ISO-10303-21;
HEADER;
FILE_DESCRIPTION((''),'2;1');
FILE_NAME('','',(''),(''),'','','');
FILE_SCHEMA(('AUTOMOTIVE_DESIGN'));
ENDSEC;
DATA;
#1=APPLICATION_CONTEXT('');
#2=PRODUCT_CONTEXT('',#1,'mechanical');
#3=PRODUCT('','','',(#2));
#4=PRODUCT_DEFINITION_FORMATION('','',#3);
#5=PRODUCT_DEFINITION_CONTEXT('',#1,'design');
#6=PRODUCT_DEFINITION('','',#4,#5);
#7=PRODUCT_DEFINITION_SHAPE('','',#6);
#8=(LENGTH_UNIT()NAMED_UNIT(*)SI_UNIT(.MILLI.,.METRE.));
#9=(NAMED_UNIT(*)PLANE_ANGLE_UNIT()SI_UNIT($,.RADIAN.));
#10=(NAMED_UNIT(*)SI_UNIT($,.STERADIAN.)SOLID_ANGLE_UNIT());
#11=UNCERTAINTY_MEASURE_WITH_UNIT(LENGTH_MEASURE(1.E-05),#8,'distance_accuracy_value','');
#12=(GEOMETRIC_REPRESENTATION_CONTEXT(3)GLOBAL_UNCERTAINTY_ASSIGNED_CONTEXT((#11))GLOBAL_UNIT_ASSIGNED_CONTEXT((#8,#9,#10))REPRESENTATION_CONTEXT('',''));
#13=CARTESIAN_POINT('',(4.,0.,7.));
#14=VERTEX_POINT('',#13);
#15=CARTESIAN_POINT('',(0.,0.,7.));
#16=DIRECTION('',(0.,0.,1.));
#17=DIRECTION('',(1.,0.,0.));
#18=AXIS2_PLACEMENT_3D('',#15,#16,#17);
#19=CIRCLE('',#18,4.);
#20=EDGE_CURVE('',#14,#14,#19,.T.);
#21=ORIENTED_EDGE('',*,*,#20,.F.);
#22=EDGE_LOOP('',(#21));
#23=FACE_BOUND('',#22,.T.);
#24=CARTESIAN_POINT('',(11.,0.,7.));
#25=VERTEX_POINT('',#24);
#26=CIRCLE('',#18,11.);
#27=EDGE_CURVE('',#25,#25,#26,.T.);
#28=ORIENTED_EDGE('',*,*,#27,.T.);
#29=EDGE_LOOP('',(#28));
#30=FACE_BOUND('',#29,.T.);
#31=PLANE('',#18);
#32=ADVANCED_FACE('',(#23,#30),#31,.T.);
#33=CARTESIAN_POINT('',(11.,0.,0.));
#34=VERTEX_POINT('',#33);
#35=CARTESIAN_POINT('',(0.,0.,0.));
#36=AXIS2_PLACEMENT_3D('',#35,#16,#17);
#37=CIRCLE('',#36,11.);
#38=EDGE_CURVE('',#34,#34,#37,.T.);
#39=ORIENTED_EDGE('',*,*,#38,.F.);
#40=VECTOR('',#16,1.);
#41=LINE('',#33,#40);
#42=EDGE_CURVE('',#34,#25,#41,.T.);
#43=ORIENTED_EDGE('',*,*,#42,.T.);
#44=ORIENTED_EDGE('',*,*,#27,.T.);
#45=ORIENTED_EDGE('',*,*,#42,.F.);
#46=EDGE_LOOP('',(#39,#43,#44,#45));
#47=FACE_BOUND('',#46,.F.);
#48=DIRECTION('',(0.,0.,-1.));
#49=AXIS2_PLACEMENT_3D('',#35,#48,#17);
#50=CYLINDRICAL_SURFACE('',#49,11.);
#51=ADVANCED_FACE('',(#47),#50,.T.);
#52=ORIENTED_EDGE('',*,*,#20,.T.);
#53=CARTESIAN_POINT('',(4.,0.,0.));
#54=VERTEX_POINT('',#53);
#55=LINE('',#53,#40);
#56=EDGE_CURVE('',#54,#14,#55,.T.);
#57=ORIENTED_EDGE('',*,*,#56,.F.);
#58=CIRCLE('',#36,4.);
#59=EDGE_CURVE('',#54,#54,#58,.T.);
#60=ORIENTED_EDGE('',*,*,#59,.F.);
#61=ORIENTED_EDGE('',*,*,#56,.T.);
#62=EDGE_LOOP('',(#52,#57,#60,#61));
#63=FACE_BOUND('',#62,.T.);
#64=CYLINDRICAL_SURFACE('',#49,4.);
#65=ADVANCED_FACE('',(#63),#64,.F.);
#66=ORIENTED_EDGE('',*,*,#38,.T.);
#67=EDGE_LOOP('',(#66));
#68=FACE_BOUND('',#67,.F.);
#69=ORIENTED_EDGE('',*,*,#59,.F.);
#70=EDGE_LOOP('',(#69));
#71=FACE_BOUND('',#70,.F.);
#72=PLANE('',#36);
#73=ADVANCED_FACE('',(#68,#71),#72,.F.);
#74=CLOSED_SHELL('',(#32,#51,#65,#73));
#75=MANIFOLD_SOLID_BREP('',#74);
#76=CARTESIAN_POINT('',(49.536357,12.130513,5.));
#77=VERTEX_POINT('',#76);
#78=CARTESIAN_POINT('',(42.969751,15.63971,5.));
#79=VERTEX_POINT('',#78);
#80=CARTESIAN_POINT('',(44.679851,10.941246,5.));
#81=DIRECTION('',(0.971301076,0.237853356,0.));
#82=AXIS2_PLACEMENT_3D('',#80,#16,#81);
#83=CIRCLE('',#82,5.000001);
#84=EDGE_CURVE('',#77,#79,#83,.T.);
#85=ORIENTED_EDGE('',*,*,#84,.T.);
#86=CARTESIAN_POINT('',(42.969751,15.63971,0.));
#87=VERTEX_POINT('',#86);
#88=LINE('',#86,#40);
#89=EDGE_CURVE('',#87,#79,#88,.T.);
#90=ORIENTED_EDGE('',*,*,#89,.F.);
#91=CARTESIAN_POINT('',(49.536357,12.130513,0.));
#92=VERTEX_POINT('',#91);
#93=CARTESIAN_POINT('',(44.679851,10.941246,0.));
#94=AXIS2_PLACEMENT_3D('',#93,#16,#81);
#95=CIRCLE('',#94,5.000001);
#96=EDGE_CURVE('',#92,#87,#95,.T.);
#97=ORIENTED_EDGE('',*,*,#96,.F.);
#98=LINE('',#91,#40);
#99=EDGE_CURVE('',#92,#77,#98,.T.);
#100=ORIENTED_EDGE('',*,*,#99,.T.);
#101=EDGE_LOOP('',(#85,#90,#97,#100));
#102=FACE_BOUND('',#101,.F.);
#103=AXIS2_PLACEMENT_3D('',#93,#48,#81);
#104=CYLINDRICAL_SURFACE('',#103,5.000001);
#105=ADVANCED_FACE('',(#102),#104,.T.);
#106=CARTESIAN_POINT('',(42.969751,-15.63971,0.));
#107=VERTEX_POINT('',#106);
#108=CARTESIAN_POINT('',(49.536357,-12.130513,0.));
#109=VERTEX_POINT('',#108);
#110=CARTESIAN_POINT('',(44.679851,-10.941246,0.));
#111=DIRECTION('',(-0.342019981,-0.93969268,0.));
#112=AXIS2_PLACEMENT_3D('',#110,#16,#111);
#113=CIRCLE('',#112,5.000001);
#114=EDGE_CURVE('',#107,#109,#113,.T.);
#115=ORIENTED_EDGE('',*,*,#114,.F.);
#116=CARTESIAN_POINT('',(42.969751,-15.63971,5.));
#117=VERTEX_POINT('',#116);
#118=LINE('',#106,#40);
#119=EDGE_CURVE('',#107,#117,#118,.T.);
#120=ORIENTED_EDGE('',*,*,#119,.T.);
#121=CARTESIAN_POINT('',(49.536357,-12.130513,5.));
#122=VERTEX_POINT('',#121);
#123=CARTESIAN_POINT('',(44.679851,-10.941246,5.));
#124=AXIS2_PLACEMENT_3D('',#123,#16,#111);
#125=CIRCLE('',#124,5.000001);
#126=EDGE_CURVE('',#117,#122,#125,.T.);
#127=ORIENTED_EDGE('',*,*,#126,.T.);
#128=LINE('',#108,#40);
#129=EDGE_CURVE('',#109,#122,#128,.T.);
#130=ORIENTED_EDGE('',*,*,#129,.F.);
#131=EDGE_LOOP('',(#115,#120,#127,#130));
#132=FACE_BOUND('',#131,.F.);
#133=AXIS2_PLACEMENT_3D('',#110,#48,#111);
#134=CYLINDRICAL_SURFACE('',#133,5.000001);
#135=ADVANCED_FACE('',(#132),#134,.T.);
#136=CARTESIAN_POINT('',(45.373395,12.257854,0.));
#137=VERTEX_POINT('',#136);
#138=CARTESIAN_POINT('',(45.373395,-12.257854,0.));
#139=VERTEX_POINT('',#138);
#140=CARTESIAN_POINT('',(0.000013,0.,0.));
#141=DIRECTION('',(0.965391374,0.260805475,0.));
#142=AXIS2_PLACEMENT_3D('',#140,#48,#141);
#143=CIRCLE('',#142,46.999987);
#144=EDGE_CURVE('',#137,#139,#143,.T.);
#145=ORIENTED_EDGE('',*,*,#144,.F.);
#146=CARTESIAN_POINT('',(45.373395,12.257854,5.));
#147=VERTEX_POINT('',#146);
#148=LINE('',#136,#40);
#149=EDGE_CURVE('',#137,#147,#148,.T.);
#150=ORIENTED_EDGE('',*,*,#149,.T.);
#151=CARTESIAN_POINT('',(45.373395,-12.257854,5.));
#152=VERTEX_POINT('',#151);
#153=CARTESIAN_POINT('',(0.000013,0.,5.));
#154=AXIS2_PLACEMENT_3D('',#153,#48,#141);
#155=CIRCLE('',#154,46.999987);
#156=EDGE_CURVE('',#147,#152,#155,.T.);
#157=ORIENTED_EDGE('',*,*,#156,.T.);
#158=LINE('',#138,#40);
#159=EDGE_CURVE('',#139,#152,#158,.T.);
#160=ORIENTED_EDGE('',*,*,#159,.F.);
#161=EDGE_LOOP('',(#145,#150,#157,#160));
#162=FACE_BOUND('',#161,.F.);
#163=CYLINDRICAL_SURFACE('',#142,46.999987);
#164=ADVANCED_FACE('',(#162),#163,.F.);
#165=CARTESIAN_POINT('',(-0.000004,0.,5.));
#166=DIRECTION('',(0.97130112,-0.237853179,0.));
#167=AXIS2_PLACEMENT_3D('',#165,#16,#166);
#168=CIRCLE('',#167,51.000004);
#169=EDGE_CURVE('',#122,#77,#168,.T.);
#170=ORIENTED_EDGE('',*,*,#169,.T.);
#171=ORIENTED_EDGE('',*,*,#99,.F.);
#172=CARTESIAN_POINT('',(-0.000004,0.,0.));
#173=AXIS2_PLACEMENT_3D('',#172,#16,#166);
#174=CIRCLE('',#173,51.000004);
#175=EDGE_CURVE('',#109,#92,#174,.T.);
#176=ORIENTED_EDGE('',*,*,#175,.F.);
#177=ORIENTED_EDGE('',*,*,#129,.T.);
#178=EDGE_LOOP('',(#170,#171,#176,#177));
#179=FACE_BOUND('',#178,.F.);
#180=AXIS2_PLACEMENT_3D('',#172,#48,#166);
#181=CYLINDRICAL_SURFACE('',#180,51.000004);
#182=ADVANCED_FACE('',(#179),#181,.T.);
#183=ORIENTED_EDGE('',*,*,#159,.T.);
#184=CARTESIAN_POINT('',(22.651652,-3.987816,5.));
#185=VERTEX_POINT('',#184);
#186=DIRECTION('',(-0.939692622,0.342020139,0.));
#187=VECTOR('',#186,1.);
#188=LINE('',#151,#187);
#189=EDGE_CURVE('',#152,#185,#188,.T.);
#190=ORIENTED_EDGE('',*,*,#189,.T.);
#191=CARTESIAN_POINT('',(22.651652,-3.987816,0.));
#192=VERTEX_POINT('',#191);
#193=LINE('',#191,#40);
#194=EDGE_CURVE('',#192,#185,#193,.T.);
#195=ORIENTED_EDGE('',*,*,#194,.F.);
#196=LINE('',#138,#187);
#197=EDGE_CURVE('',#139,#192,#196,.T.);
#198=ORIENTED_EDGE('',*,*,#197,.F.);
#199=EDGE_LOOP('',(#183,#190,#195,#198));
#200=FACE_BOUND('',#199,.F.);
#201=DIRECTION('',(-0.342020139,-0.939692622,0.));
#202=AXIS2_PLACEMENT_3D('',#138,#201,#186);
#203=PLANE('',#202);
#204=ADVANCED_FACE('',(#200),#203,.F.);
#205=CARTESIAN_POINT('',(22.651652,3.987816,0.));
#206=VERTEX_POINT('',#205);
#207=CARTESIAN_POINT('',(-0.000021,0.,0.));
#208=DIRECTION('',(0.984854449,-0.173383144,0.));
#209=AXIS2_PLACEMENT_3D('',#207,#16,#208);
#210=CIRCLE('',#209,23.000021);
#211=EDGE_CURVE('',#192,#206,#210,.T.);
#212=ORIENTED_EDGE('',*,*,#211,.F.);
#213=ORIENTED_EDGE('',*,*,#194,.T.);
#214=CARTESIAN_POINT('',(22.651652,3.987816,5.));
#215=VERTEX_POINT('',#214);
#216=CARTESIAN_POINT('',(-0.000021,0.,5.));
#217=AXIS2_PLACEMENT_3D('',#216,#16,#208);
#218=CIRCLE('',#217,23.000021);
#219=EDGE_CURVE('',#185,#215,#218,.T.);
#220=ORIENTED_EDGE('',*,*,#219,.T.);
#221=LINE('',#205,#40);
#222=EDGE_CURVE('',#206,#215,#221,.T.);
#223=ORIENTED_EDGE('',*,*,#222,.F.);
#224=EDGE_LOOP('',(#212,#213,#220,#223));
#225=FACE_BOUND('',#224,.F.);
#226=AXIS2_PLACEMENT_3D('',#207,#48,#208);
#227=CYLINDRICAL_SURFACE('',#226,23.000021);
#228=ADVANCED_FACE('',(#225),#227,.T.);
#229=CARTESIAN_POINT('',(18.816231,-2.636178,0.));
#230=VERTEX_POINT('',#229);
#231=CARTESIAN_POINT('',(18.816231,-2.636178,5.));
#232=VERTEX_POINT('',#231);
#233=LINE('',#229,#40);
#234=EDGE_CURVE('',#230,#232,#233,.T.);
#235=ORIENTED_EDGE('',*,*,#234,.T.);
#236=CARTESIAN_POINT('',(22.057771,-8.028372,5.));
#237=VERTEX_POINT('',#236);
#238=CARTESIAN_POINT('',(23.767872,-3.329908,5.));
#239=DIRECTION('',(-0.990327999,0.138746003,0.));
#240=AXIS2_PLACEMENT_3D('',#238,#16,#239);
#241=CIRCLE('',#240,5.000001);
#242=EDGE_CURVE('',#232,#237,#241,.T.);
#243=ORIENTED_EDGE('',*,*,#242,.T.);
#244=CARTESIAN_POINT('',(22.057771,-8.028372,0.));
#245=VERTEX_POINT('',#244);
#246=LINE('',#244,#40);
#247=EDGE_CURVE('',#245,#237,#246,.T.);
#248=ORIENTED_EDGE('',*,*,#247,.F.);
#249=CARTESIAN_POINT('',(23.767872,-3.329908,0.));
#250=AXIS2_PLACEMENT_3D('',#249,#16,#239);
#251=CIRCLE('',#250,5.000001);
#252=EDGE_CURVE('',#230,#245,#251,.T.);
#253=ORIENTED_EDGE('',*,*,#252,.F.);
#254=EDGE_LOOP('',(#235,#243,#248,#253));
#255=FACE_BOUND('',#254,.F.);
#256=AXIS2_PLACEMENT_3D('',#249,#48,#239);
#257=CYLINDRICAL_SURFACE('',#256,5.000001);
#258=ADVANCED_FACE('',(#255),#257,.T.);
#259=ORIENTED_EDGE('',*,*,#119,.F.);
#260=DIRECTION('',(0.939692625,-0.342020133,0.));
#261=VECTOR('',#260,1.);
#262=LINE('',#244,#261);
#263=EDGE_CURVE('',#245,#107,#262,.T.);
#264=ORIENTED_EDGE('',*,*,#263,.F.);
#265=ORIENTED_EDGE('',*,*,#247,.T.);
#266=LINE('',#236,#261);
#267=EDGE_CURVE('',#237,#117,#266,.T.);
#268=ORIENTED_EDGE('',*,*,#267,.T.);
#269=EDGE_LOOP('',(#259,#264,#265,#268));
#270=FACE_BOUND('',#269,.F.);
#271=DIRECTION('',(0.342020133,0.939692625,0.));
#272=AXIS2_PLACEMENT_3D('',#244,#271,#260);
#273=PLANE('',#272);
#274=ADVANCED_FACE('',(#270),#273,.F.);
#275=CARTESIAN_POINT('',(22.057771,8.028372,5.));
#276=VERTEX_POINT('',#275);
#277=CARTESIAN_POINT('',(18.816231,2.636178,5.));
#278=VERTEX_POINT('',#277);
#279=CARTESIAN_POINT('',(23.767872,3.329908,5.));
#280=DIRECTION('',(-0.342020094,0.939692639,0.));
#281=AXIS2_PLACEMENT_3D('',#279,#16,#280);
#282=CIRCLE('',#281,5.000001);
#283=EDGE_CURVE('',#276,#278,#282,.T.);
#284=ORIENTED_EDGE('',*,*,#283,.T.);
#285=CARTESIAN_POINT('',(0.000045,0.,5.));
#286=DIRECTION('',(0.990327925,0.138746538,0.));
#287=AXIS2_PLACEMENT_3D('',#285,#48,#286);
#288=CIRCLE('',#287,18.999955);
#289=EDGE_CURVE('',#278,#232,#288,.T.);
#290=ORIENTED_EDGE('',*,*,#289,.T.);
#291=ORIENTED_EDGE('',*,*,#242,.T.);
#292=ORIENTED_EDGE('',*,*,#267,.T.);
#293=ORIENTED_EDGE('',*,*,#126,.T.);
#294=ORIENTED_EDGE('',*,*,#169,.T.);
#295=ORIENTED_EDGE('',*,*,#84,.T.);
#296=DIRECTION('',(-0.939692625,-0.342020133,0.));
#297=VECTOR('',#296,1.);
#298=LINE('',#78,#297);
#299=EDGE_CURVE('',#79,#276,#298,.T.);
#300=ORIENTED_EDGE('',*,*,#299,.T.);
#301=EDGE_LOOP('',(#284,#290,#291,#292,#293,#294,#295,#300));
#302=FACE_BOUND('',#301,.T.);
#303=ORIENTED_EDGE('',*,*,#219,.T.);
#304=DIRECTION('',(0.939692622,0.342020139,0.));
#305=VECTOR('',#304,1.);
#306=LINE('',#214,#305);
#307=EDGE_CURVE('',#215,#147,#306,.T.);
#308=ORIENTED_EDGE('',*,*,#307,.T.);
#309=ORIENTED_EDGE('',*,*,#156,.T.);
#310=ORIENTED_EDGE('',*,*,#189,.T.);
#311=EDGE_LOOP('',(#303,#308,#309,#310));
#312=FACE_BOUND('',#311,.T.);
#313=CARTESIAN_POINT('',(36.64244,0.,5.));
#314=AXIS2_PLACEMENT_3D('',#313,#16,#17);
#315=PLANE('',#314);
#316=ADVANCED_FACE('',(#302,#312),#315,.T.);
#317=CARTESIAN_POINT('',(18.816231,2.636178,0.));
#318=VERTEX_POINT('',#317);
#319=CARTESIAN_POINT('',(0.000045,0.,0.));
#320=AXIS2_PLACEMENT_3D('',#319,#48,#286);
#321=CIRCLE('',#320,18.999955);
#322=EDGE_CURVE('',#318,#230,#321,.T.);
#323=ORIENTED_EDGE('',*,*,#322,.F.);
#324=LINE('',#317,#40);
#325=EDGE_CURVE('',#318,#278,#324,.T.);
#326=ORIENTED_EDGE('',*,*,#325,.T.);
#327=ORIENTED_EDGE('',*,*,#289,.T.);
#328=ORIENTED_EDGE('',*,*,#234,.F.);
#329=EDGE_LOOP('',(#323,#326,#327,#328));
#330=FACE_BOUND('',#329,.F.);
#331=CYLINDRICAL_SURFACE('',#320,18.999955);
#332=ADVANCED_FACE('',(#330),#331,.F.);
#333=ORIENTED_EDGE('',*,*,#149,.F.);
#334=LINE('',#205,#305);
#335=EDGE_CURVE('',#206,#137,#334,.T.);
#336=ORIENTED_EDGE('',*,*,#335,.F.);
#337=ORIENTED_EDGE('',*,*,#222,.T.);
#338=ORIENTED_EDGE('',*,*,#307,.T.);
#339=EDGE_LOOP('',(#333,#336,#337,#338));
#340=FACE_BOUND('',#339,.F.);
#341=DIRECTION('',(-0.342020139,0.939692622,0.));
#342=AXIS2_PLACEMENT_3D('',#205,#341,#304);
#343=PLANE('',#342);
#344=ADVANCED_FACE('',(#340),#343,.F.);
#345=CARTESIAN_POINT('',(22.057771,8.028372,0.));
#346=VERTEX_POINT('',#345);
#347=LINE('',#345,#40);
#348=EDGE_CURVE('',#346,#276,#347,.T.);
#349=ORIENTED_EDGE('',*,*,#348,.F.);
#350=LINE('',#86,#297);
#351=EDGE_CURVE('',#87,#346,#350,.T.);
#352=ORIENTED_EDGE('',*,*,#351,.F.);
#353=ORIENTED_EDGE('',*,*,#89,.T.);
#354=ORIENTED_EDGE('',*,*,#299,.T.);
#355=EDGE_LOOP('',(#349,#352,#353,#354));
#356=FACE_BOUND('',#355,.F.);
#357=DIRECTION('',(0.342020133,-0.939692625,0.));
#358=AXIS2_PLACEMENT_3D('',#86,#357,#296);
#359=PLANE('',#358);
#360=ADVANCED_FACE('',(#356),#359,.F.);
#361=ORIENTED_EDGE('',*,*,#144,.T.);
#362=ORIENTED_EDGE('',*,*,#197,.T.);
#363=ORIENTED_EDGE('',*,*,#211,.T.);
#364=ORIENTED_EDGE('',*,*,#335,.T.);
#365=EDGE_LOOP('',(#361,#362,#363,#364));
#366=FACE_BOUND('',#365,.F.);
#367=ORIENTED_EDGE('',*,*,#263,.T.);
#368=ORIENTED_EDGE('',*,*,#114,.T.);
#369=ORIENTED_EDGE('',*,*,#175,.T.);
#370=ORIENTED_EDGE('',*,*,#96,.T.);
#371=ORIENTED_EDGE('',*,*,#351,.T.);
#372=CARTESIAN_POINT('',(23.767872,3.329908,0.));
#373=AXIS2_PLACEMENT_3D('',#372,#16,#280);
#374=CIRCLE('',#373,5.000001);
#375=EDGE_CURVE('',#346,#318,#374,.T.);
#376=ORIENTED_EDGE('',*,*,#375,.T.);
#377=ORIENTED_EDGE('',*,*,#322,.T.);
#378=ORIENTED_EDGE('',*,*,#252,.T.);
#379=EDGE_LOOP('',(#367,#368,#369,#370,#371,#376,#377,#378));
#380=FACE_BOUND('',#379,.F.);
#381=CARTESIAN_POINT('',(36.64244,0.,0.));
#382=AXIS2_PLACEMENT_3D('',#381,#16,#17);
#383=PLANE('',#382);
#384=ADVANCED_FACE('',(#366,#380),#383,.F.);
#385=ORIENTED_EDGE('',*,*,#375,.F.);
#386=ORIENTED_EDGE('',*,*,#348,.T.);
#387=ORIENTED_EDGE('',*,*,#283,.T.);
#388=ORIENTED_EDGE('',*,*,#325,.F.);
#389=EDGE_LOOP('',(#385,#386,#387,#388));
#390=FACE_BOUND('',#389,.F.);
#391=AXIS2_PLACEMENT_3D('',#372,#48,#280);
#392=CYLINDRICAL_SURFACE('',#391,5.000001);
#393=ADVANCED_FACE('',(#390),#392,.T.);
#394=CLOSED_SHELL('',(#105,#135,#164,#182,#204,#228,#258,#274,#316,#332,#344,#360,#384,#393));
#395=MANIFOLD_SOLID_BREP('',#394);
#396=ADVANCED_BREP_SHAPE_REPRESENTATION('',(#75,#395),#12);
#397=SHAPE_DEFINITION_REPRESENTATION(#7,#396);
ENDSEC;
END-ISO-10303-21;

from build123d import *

# Parameters (mm, degrees)
F1_DEPTH = 5
F2_R     = 11
F2_R_2   = 4
F3_DEPTH = 7


with BuildPart() as f1:
    # F0 (on Top) → F1 (new body)
    with BuildSketch(Plane.XY):
        with BuildLine():
            Line((42.969751, 15.63971), (22.057771, 8.028372))
            ThreePointArc((22.057771, 8.028372), (19.48259, 5.906023), (18.816231, 2.636178))
            ThreePointArc((18.816231, 2.636178), (19, 0), (18.816231, -2.636178))
            ThreePointArc((18.816231, -2.636178), (19.48259, -5.906023), (22.057771, -8.028372))
            Line((22.057771, -8.028372), (42.969751, -15.63971))
            ThreePointArc((42.969751, -15.63971), (47.036455, -15.351056), (49.536357, -12.130513))
            ThreePointArc((49.536357, -12.130513), (51, 0), (49.536357, 12.130513))
            ThreePointArc((49.536357, 12.130513), (47.036455, 15.351056), (42.969751, 15.63971))
        make_face()
        with BuildLine():
            ThreePointArc((22.651652, -3.987816), (23, 0), (22.651652, 3.987816))
            Line((22.651652, 3.987816), (45.373395, 12.257854))
            ThreePointArc((45.373395, 12.257854), (47, 0), (45.373395, -12.257854))
            Line((45.373395, -12.257854), (22.651652, -3.987816))
        make_face(mode=Mode.SUBTRACT)
    extrude(amount=F1_DEPTH)


with BuildPart() as f3:
    # F2 (on Top) → F3 (new body)
    with BuildSketch(Plane.XY):
        Circle(F2_R)
        Circle(F2_R_2, mode=Mode.SUBTRACT)
    extrude(amount=F3_DEPTH)


solid = Compound([f1.part, f3.part])
